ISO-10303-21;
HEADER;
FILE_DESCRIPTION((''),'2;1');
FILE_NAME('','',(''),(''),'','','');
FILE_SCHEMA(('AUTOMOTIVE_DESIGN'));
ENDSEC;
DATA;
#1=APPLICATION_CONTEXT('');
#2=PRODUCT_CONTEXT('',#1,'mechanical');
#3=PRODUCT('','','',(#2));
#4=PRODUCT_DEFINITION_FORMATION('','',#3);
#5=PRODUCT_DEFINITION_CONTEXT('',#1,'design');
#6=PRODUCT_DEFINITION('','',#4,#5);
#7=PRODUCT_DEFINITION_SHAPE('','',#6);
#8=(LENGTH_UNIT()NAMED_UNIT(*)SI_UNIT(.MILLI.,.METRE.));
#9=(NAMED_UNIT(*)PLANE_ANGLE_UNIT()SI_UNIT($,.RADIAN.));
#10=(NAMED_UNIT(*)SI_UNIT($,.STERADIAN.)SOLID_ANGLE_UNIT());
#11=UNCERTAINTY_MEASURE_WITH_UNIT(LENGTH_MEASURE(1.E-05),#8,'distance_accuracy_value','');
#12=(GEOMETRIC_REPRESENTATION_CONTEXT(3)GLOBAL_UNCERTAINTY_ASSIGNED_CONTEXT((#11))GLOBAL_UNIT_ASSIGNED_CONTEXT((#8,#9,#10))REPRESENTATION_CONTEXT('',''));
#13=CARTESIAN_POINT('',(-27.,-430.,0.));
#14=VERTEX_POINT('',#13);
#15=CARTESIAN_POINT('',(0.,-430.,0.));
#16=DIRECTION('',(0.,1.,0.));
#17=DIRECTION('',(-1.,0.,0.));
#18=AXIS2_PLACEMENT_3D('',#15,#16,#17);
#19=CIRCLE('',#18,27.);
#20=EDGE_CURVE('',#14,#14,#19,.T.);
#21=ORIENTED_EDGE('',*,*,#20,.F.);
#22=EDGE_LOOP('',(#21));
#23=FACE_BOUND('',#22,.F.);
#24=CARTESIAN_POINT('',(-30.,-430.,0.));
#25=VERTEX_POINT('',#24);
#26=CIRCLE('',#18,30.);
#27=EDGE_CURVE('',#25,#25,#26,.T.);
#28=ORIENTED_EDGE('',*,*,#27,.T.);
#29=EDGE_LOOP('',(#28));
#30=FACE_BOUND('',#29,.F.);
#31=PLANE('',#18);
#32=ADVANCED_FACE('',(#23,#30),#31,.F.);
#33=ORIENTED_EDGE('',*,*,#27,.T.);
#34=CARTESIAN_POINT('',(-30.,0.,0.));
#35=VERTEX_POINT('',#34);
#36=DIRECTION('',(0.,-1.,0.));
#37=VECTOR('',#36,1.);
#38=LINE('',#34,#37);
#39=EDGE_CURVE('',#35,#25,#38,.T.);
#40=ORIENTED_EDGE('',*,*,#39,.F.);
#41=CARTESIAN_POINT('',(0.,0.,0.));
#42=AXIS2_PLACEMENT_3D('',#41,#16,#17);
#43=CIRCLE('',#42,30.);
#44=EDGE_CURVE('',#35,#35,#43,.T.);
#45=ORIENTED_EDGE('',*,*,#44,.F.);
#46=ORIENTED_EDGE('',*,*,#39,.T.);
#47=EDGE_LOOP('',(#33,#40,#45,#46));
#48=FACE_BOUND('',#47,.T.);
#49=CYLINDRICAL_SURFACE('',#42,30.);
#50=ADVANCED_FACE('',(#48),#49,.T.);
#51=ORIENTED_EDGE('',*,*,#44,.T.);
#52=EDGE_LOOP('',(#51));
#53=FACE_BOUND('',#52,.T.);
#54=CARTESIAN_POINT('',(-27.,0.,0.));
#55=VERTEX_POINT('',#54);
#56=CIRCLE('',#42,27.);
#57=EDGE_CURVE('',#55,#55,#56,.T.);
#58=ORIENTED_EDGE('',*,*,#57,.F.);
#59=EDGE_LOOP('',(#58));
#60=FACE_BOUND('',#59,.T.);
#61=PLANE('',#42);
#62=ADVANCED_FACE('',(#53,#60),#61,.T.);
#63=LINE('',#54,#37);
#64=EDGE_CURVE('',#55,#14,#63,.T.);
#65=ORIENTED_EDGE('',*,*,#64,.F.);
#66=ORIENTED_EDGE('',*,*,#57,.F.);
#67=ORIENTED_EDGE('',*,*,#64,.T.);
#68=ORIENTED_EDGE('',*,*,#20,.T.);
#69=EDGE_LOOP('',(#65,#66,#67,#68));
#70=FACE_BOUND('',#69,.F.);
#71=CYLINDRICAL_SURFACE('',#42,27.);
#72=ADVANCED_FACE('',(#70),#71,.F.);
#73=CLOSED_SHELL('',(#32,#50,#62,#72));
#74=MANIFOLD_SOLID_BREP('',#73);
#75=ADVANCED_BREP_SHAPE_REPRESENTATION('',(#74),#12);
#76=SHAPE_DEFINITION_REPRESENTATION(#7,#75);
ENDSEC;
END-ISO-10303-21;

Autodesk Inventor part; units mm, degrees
ref_plane "YZ Plane" through (0, 0, 0) normal (1, 0, 0) x (0, 1, 0)
ref_plane "XZ Plane" through (0, 0, 0) normal (0, 1, 0) x (-1, 0, 0)
ref_plane "XY Plane" through (0, 0, 0) normal (0, 0, 1) x (1, 0, 0)
sketch "Sketch1" plane through (0, 0, 0) normal (0, 1, 0) x (-1, 0, 0)
  circle A0 centre (0, 0) radius 30
  circle A1 centre (0, 0) radius 27
  dimension "d0" = 60
  dimension "d1" = 3
extrude "Extrusion1" add sketch "Sketch1" against normal blind 430
properties part number "ANP 1374 FDS tube 9" material "Steel"
